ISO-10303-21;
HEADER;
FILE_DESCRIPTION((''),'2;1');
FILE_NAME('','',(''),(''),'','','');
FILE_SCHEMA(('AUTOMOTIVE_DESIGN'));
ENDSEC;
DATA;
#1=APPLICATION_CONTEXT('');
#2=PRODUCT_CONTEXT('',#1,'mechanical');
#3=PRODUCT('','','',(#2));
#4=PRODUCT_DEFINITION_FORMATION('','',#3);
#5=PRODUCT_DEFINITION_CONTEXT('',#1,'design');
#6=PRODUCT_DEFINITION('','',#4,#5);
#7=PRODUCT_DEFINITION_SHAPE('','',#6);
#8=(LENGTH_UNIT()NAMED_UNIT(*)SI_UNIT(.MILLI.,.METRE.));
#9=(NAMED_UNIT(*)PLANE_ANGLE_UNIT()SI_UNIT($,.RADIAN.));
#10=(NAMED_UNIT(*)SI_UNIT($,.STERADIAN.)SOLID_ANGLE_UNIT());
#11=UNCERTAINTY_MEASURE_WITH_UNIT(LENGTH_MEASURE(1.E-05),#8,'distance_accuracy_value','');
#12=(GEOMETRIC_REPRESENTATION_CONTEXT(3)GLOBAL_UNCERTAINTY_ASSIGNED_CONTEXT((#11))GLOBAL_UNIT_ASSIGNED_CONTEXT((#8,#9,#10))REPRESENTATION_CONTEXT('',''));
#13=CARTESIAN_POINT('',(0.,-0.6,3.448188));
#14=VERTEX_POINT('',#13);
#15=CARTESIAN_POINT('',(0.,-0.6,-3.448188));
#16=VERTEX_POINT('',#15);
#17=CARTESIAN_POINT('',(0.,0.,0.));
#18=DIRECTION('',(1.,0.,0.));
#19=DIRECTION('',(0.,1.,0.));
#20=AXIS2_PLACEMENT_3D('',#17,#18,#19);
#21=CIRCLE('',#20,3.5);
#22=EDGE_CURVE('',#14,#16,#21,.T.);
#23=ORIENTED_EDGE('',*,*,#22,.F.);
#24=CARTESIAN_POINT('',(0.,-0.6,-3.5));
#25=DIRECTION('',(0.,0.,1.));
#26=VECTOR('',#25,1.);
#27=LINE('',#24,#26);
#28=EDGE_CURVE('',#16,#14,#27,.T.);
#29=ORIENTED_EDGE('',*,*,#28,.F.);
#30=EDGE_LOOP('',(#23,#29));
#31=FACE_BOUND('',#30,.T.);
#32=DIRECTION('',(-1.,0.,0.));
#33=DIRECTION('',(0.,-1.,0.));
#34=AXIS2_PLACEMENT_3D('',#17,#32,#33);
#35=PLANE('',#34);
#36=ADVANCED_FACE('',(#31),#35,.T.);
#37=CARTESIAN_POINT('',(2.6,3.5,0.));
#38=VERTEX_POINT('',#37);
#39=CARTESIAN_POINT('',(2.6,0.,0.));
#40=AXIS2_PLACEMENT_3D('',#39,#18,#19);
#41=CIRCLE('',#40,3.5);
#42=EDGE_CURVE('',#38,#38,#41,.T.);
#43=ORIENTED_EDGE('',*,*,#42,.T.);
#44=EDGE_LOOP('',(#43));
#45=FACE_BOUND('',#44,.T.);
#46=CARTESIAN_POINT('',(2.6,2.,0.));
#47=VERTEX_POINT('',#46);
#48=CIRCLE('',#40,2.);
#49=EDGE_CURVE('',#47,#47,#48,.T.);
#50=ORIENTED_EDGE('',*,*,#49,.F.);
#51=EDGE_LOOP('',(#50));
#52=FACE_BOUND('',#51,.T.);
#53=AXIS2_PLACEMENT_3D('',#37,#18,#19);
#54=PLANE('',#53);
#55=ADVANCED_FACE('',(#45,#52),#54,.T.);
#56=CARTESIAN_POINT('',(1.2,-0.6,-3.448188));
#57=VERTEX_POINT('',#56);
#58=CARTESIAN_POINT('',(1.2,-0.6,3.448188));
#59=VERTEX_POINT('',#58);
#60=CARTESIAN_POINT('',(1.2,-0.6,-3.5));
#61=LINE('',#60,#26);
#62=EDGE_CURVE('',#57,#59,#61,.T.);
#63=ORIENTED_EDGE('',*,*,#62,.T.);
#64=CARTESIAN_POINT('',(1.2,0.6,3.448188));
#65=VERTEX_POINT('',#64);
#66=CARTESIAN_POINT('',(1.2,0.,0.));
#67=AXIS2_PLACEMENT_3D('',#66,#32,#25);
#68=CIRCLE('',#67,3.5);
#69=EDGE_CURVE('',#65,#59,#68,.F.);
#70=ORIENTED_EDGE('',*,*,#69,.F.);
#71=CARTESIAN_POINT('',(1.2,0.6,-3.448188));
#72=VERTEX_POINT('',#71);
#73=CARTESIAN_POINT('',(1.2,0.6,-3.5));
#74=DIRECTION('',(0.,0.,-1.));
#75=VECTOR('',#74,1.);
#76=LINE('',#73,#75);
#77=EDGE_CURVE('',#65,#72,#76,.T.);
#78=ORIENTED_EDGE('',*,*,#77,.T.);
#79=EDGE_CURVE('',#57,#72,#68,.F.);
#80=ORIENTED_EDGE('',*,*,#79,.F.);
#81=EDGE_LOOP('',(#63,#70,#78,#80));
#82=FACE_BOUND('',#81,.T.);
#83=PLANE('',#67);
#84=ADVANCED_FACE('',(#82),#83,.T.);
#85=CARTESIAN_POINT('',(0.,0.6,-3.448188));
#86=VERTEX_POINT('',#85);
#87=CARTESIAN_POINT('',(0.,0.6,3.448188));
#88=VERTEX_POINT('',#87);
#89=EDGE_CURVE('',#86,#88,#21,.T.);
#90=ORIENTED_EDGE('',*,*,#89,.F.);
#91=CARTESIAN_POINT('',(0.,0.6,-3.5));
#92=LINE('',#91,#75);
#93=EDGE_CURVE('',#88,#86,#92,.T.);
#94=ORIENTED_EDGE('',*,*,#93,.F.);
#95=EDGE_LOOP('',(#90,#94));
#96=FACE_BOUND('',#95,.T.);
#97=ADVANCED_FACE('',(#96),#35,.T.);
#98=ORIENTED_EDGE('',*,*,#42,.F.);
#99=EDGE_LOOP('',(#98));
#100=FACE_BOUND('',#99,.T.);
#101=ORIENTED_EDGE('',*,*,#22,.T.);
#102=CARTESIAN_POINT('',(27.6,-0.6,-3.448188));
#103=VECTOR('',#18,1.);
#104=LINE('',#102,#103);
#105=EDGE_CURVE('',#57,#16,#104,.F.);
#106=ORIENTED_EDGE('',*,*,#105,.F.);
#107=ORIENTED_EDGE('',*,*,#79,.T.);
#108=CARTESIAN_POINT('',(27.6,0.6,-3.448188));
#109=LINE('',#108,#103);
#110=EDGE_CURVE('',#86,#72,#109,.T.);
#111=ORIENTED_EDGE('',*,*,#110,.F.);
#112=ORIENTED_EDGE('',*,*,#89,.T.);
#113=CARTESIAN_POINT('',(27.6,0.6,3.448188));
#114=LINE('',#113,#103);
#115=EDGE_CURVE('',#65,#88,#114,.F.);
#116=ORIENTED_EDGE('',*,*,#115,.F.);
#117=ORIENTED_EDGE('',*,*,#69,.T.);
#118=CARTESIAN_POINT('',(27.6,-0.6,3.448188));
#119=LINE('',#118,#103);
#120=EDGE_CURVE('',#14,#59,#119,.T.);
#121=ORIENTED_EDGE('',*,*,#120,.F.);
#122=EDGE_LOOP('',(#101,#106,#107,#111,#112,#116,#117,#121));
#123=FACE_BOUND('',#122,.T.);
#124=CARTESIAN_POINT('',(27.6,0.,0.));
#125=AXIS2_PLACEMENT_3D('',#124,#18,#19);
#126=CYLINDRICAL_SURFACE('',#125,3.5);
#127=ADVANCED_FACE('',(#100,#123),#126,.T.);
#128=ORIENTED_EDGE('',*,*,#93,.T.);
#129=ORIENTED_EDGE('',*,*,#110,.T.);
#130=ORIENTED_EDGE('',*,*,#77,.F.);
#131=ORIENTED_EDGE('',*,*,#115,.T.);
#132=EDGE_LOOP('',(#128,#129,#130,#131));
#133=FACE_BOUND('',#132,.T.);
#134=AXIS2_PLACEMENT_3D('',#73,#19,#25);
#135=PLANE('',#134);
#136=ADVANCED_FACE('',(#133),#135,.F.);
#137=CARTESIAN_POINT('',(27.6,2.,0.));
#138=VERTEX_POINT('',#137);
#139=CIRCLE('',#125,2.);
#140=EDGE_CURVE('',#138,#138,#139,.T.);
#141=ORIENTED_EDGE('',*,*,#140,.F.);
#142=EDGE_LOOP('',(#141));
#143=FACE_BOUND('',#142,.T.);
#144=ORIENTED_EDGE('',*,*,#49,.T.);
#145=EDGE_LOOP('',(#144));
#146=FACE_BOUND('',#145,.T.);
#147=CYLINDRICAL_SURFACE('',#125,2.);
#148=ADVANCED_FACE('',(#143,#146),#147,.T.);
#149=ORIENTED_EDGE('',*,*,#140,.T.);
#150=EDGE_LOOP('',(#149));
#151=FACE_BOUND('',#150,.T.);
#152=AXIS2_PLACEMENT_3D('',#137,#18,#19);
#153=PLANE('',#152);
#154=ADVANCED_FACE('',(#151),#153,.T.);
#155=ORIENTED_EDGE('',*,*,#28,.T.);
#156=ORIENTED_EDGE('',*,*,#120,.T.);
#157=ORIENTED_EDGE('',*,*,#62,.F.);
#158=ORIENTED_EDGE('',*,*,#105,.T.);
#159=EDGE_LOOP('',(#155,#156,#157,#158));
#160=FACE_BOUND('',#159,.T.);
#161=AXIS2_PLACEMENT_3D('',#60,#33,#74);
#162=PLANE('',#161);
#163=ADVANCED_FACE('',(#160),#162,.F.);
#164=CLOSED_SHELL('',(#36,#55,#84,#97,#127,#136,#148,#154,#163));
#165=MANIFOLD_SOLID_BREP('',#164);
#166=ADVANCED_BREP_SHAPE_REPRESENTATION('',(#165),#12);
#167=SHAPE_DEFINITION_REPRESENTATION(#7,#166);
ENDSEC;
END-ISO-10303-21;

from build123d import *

# Parameters (mm, degrees)
SKETCH2_W          = 7
SKETCH2_H          = 1.2
CUT_EXTRUDE1_DEPTH = 1.2


with BuildPart() as part:
    # Sketch1 → Revolve1 (revolve)
    with BuildSketch(Plane.XY):
        Polygon((0, 0), (0, 3.5), (2.6, 3.5), (2.6, 2), (27.6, 2), (27.6, 0), align=None)
    revolve(axis=Axis((27.6, 0, 0), (-1, 0, 0)))

    # Sketch2 → Cut-Extrude1 (cut)
    with BuildSketch(Plane.ZY):
        Rectangle(SKETCH2_W, SKETCH2_H)
    extrude(amount=-CUT_EXTRUDE1_DEPTH, mode=Mode.SUBTRACT)


solid = part.part
